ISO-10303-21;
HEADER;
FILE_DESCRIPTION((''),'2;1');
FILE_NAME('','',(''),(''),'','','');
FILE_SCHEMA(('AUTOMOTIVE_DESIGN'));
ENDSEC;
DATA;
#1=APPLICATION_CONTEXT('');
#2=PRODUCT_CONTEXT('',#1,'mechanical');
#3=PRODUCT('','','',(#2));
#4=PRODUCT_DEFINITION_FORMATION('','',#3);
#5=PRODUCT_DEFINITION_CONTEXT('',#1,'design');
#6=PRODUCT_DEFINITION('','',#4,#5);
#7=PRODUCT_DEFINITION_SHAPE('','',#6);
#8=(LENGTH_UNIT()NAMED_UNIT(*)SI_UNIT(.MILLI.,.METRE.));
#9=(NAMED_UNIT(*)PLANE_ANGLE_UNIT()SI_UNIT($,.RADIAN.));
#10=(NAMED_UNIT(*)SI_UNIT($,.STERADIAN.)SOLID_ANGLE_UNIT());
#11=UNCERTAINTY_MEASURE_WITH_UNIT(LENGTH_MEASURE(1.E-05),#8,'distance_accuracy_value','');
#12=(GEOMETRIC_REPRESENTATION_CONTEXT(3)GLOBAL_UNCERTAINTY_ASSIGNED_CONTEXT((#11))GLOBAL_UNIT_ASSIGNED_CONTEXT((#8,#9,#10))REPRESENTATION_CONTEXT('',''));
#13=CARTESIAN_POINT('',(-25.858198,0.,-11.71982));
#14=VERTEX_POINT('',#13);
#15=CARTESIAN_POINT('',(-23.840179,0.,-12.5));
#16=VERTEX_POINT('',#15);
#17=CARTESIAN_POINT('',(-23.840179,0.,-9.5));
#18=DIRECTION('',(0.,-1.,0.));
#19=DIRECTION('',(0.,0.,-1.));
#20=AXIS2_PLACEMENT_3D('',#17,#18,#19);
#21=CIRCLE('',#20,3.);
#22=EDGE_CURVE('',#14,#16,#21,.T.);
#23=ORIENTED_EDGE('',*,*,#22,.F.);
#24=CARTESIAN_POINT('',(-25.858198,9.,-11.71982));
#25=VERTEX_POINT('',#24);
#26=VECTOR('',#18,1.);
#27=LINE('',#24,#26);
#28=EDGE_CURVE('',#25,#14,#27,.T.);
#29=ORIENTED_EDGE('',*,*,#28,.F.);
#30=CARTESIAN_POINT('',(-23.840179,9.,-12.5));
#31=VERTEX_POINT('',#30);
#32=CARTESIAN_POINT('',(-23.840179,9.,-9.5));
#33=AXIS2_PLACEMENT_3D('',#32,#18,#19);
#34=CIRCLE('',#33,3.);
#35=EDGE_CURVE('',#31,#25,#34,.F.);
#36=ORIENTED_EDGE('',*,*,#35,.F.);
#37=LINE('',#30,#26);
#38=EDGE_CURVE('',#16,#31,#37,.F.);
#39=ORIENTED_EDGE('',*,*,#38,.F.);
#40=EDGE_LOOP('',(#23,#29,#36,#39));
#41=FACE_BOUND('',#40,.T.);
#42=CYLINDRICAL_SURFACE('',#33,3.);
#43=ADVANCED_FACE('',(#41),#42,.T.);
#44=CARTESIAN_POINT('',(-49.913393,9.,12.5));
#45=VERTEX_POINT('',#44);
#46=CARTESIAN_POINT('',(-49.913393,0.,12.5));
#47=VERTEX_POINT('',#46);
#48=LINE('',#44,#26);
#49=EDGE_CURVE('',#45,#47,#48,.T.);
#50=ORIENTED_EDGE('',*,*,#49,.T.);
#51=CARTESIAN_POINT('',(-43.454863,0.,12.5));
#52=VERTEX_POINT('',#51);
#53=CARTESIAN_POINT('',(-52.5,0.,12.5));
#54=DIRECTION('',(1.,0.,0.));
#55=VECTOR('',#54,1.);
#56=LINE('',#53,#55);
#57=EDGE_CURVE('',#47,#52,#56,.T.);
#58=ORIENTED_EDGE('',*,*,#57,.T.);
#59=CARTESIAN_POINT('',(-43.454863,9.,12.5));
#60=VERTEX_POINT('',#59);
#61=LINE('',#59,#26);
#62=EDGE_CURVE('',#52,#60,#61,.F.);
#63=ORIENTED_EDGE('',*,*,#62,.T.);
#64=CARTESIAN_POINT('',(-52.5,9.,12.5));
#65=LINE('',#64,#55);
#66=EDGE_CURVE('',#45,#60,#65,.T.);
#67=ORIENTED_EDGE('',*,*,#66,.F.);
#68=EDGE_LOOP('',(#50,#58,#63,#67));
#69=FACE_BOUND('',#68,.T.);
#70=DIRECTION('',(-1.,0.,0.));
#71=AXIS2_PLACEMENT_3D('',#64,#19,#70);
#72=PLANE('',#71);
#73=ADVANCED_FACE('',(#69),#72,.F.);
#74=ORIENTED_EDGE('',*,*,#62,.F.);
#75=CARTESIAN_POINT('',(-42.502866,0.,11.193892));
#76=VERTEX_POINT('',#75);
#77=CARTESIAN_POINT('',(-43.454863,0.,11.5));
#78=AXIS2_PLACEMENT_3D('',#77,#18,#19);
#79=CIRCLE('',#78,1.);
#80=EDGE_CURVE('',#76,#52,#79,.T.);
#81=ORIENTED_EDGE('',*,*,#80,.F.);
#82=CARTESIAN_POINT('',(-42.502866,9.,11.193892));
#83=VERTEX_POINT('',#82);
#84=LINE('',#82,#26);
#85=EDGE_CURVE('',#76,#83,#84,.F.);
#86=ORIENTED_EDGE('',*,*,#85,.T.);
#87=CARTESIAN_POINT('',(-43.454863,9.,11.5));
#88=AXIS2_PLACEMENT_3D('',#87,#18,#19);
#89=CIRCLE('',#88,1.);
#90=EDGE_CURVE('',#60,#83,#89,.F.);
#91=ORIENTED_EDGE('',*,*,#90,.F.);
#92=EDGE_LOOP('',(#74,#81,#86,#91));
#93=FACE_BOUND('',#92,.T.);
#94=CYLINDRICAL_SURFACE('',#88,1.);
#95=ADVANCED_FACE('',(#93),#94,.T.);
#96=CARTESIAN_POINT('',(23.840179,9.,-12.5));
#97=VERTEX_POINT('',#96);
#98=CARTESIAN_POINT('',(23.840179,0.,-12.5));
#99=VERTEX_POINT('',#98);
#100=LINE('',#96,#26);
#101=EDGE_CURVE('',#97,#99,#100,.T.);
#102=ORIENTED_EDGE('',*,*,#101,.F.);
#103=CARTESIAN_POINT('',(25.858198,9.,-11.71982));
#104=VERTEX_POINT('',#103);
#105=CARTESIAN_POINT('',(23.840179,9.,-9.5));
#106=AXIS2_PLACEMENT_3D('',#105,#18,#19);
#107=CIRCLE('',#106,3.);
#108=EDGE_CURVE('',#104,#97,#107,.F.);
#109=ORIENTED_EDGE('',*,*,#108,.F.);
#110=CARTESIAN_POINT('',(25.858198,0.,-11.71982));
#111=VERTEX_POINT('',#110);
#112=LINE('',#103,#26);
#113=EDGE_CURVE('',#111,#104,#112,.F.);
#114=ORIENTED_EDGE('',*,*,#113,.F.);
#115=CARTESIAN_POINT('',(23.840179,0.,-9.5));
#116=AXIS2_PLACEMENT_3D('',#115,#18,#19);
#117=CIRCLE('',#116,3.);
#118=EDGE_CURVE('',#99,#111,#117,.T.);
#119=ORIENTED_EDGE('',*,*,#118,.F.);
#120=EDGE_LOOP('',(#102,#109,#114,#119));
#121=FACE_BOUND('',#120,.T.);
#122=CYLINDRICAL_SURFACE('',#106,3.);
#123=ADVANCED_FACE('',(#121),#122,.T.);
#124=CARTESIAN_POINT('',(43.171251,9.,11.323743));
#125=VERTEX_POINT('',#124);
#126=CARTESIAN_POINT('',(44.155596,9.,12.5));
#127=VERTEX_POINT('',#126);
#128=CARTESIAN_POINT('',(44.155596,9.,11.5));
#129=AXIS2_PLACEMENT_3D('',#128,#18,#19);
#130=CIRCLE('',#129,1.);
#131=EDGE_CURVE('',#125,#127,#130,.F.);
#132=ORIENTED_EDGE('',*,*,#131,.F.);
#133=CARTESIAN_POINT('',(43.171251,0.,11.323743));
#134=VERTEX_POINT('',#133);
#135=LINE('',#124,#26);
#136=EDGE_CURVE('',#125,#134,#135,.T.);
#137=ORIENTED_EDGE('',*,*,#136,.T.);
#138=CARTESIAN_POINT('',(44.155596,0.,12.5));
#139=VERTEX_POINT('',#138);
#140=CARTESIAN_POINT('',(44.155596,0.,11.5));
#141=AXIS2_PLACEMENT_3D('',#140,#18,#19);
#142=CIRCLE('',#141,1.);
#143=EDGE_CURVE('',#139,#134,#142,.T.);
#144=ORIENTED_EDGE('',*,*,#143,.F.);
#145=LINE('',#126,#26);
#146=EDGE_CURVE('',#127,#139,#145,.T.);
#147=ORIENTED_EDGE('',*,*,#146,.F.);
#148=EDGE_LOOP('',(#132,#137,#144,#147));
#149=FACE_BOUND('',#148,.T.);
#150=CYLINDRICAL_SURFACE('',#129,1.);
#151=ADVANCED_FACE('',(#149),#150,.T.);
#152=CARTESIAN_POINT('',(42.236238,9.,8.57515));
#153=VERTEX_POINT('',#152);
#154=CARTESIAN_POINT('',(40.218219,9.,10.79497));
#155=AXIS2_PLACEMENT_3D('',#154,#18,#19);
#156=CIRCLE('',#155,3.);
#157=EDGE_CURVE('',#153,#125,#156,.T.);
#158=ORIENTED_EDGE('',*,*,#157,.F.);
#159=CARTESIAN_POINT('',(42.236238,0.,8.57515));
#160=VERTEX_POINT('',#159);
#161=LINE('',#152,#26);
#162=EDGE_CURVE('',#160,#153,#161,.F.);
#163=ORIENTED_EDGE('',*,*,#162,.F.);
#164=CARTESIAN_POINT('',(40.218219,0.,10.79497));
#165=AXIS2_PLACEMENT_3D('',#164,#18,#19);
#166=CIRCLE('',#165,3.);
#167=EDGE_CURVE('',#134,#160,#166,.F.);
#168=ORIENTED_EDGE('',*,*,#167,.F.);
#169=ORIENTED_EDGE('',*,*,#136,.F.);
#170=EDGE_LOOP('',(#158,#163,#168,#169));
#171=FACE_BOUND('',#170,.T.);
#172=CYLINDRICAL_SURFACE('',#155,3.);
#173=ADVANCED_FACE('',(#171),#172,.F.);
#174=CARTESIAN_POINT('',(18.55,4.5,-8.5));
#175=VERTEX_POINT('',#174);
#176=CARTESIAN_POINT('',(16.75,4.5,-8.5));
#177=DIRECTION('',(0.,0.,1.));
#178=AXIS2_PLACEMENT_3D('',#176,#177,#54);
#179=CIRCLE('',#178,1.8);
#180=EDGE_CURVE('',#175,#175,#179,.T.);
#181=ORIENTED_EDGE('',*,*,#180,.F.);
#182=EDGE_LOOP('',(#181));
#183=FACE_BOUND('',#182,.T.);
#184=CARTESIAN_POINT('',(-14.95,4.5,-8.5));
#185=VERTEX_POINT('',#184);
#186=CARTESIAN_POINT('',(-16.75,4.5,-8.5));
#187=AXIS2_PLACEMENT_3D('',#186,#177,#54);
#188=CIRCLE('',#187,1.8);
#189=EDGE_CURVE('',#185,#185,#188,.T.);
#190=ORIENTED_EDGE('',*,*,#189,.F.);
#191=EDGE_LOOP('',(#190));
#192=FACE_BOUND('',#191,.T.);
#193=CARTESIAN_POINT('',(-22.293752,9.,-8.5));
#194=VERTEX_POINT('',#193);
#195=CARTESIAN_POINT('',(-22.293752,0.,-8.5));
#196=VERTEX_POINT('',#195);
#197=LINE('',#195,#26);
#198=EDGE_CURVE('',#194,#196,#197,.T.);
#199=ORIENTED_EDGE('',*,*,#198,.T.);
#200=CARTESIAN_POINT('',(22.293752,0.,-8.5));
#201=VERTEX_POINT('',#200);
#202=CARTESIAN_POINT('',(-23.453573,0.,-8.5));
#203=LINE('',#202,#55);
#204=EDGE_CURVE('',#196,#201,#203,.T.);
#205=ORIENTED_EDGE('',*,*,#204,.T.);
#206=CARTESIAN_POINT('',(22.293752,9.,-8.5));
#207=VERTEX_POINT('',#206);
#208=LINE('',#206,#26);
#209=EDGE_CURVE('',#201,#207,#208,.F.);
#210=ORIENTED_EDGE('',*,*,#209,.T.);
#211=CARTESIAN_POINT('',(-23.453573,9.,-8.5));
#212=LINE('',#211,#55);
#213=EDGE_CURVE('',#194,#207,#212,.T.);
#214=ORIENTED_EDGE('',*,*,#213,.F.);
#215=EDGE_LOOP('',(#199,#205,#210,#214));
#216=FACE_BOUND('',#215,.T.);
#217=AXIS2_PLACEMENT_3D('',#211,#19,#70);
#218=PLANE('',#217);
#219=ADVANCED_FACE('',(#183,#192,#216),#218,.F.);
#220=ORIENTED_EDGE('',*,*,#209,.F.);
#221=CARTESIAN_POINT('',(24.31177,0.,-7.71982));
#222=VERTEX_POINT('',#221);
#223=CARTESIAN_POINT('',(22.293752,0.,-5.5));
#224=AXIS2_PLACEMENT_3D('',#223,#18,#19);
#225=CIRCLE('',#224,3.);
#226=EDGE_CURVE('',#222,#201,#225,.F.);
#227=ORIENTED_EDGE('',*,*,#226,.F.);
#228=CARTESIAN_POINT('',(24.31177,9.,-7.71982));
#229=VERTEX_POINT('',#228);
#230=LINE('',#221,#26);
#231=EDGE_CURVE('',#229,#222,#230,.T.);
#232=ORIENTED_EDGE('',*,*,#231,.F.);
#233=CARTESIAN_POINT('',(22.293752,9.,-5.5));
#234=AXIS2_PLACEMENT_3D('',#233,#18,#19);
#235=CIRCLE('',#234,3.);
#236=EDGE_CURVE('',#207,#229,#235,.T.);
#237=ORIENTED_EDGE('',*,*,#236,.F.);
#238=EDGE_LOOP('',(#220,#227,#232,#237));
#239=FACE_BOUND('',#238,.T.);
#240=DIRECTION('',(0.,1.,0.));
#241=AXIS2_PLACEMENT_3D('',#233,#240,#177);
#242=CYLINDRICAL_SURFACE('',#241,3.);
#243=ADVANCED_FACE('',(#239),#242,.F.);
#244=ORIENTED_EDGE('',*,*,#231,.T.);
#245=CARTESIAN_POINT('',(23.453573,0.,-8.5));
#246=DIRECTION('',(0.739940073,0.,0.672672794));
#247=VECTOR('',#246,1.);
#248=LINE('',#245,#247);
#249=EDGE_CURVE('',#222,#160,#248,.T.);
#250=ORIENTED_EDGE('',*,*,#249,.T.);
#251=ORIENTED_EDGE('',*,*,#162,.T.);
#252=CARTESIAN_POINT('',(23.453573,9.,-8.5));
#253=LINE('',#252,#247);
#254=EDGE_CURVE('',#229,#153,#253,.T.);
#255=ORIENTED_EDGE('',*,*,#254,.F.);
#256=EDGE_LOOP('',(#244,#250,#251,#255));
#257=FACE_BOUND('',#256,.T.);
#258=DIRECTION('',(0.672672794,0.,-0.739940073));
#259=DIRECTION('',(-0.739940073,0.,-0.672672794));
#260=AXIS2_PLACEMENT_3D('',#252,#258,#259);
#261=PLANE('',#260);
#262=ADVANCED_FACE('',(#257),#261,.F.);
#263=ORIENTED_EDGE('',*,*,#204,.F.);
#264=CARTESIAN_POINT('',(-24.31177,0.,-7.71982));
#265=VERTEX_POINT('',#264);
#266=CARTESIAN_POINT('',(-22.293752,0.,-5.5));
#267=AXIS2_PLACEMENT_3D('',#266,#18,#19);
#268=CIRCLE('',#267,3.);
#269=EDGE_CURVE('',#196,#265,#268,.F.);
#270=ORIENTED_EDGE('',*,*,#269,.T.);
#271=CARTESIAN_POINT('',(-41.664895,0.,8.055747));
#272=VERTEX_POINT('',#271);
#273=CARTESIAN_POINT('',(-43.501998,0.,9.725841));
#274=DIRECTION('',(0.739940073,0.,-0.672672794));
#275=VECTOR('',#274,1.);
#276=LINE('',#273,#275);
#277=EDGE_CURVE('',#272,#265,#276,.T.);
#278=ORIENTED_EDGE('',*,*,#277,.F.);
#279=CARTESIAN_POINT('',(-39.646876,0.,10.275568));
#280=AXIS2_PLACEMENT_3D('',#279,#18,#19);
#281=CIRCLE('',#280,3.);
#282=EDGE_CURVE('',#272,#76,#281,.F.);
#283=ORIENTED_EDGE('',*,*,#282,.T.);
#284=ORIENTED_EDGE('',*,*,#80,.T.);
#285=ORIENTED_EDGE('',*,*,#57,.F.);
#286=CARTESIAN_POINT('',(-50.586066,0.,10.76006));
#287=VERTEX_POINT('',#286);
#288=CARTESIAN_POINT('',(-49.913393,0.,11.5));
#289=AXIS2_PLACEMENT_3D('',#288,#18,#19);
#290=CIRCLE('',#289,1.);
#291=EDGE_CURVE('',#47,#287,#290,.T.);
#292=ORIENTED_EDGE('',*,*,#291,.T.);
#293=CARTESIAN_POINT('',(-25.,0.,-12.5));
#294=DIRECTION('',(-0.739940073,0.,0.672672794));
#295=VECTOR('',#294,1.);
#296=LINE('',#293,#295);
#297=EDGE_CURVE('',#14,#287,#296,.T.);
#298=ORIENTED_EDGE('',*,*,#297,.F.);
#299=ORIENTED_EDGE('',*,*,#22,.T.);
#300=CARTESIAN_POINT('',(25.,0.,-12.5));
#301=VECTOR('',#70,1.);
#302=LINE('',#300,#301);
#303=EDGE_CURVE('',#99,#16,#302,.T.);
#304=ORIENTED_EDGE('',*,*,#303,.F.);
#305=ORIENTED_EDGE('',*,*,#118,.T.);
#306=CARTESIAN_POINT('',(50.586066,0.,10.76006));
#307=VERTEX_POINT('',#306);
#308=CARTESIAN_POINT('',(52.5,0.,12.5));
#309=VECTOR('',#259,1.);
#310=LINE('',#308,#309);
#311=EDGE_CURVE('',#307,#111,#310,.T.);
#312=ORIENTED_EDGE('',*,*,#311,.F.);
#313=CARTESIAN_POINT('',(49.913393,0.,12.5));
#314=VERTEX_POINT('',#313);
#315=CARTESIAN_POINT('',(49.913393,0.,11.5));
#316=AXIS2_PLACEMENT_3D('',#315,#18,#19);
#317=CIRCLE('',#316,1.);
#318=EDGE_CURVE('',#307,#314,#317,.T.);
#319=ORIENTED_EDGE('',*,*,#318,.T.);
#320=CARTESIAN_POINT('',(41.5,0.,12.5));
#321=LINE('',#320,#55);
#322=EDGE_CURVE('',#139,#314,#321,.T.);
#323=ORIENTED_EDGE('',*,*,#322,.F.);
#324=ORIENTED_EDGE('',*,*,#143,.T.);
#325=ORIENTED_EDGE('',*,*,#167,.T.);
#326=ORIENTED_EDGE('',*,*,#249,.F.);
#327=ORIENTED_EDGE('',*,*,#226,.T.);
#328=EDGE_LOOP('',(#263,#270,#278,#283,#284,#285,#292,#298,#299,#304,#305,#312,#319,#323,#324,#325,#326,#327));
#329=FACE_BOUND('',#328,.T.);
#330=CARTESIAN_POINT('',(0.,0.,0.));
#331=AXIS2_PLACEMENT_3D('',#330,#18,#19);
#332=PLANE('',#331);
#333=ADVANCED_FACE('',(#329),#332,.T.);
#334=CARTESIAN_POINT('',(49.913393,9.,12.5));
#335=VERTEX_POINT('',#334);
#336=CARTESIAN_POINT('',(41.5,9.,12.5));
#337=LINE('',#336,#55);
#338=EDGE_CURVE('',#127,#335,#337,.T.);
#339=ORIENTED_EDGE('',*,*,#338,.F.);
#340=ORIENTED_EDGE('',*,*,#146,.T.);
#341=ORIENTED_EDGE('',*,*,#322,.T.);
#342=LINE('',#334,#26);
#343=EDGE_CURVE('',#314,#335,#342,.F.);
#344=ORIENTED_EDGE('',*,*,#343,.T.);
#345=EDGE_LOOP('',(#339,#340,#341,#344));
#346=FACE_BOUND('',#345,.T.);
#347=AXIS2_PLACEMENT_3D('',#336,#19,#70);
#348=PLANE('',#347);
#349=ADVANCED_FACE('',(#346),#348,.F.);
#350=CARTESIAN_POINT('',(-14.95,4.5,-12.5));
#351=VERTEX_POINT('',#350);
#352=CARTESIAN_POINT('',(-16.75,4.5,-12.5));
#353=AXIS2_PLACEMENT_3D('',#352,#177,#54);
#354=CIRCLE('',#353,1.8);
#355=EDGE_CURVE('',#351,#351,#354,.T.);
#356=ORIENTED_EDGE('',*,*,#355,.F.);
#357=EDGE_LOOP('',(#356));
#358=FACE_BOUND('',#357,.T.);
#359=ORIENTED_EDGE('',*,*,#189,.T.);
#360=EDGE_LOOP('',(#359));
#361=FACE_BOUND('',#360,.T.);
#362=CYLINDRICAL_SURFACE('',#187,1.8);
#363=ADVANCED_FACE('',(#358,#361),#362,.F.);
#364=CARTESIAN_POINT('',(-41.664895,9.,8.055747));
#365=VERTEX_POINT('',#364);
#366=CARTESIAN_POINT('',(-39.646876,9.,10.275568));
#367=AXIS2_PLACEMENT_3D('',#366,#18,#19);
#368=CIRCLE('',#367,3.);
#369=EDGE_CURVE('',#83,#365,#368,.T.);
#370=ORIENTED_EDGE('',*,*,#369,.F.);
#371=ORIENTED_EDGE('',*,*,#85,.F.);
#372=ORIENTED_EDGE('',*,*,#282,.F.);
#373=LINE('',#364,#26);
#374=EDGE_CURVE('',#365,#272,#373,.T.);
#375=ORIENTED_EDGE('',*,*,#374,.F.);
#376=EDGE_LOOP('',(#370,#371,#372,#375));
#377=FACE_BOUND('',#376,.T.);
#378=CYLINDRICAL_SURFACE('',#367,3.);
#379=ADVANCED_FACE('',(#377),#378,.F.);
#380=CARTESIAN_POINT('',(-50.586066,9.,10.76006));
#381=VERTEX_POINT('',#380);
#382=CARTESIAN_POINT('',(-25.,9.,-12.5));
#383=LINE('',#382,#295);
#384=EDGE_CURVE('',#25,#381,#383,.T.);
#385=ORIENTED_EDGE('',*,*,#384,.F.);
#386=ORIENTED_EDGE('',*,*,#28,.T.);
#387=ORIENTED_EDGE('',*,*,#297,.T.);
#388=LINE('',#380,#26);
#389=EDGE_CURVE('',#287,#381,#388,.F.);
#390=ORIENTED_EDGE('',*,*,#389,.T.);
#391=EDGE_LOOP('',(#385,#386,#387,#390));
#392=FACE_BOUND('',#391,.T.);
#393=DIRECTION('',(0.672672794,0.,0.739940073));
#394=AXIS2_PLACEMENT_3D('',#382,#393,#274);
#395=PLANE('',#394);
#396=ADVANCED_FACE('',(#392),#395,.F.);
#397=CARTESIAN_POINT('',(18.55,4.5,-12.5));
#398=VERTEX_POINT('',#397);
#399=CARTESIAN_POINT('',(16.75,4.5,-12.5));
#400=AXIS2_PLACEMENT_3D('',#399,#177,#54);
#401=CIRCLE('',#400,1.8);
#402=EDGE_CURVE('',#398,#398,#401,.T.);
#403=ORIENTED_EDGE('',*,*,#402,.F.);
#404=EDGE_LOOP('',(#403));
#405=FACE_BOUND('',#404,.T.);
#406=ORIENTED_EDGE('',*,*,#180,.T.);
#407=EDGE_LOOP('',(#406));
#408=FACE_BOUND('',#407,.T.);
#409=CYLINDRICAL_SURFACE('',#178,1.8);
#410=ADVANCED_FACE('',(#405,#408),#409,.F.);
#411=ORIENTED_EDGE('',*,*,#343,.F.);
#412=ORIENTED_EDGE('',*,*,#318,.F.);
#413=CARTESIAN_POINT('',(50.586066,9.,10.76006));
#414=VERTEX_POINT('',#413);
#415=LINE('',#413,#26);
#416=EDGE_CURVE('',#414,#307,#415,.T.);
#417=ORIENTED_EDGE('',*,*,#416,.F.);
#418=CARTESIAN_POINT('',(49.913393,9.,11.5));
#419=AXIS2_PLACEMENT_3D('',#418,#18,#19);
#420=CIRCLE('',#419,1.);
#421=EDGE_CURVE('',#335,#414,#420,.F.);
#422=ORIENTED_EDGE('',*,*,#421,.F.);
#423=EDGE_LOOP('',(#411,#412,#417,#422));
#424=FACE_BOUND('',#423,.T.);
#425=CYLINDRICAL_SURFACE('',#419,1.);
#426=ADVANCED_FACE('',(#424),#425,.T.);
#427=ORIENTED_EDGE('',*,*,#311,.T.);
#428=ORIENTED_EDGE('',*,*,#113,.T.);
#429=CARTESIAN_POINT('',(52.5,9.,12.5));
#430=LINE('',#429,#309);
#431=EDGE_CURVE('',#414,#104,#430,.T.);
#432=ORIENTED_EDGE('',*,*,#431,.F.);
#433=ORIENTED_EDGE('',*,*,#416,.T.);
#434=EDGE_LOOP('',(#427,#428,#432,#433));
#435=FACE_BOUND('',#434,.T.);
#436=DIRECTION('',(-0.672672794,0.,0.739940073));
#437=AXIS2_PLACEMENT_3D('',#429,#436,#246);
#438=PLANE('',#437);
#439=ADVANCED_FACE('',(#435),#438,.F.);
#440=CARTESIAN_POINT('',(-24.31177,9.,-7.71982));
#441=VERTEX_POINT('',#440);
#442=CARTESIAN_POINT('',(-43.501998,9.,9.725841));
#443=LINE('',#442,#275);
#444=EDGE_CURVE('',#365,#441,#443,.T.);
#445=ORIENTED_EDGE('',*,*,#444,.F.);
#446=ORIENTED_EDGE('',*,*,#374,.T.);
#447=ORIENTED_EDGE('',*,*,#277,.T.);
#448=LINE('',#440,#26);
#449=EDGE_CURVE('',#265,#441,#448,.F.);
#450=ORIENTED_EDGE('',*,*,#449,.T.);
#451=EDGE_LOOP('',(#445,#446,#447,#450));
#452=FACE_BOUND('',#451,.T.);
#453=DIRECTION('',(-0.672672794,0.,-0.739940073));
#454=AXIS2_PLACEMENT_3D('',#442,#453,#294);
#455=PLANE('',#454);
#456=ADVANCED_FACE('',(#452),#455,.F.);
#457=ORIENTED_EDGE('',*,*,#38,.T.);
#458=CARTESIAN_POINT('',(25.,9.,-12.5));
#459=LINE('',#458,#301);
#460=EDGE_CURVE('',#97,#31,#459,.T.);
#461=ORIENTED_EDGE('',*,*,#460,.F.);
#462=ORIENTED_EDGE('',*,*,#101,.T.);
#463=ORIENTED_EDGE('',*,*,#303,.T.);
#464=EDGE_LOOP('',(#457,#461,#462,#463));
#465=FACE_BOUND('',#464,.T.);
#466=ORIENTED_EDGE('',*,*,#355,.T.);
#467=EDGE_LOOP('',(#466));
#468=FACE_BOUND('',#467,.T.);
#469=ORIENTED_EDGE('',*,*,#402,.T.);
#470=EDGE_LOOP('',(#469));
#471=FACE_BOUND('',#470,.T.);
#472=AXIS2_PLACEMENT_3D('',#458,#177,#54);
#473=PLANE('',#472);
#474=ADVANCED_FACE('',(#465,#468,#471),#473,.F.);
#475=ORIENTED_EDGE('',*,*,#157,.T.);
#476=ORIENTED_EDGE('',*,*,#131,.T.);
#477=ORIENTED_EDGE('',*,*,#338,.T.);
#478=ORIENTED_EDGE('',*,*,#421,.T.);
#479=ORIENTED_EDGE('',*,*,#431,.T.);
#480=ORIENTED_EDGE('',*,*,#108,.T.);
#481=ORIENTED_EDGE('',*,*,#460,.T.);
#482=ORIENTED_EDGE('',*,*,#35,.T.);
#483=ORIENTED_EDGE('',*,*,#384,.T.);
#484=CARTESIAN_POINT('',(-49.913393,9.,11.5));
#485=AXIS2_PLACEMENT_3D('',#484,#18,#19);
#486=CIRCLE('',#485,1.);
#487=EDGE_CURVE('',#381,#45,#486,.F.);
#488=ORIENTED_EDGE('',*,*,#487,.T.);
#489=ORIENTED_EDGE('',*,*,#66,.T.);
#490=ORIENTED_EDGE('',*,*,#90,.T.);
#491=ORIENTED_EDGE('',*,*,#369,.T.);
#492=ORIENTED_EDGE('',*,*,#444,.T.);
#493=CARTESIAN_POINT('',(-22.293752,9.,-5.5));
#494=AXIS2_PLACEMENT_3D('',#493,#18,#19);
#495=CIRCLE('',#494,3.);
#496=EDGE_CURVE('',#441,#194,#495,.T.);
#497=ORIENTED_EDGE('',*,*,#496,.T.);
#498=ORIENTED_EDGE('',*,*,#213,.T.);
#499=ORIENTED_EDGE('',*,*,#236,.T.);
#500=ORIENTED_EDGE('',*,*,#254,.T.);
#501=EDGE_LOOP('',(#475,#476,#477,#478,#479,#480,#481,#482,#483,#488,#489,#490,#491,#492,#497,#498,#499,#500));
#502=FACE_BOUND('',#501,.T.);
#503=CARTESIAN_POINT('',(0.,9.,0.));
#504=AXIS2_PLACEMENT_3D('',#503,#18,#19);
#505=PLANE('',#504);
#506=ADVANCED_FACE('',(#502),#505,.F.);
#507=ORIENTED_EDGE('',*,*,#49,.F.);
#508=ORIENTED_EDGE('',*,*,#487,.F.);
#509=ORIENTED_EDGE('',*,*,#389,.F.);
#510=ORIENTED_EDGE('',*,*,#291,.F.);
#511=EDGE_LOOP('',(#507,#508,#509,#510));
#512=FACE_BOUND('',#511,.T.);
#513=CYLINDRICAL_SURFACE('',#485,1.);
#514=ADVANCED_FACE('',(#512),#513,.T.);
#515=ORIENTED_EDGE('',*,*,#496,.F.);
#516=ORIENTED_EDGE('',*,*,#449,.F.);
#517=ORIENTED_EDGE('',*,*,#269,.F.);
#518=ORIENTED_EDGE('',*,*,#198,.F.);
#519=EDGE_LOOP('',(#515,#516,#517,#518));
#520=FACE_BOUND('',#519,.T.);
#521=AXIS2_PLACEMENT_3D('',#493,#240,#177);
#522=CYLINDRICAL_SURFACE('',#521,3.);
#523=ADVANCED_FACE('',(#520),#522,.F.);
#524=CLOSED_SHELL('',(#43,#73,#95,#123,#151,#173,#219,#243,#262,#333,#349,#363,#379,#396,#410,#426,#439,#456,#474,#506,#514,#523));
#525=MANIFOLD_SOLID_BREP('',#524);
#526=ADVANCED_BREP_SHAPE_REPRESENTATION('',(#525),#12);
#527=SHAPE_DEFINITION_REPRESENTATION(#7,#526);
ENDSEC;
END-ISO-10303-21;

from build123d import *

# Parameters (mm, degrees)
BOSS_EXTRUDE1_DEPTH  = 9
FILLET4_R            = 1
FILLET5_R            = 3
M3_CLEARANCE_HOLE1_D = 3.6


with BuildPart() as part:
    # Sketch1 → Boss-Extrude1 (new body)
    with BuildSketch(Plane(origin=(0, 0, 0), x_dir=(1, 0, 0), z_dir=(0, 1, 0))):
        Polygon((-25, 12.5), (-52.5, -12.5), (-41.5, -12.5), (-43.50199756, -9.725840963), (-23.453572501, 8.5), (23.453572501, 8.5), (44.071371219, -10.24345338), (41.5, -12.5), (52.5, -12.5), (25, 12.5), align=None)
    extrude(amount=BOSS_EXTRUDE1_DEPTH)

    # Fillet4
    fillet4_edges = [part.edges().sort_by_distance(p)[0] for p in [
        (52.5, 4.5, 12.5),
        (41.5, 4.5, 12.5),
        (-41.5, 4.5, 12.5),
        (-52.5, 4.5, 12.5),
    ]]
    fillet(fillet4_edges, radius=FILLET4_R)

    # Fillet5
    fillet5_edges = [part.edges().sort_by_distance(p)[0] for p in [
        (44.071371219, 4.5, 10.24345338),
        (25, 4.5, -12.5),
        (23.453572501, 4.5, -8.5),
        (-23.453572501, 4.5, -8.5),
        (-25, 4.5, -12.5),
        (-43.50199756, 4.5, 9.725840963),
    ]]
    fillet(fillet5_edges, radius=FILLET5_R)

    # M3 Clearance Hole1 (through all)
    with Locations(Plane.XY.offset(-8.5)):
        with Locations((-16.75, 4.5), (16.75, 4.5)):
            Hole(M3_CLEARANCE_HOLE1_D / 2)


solid = part.part
